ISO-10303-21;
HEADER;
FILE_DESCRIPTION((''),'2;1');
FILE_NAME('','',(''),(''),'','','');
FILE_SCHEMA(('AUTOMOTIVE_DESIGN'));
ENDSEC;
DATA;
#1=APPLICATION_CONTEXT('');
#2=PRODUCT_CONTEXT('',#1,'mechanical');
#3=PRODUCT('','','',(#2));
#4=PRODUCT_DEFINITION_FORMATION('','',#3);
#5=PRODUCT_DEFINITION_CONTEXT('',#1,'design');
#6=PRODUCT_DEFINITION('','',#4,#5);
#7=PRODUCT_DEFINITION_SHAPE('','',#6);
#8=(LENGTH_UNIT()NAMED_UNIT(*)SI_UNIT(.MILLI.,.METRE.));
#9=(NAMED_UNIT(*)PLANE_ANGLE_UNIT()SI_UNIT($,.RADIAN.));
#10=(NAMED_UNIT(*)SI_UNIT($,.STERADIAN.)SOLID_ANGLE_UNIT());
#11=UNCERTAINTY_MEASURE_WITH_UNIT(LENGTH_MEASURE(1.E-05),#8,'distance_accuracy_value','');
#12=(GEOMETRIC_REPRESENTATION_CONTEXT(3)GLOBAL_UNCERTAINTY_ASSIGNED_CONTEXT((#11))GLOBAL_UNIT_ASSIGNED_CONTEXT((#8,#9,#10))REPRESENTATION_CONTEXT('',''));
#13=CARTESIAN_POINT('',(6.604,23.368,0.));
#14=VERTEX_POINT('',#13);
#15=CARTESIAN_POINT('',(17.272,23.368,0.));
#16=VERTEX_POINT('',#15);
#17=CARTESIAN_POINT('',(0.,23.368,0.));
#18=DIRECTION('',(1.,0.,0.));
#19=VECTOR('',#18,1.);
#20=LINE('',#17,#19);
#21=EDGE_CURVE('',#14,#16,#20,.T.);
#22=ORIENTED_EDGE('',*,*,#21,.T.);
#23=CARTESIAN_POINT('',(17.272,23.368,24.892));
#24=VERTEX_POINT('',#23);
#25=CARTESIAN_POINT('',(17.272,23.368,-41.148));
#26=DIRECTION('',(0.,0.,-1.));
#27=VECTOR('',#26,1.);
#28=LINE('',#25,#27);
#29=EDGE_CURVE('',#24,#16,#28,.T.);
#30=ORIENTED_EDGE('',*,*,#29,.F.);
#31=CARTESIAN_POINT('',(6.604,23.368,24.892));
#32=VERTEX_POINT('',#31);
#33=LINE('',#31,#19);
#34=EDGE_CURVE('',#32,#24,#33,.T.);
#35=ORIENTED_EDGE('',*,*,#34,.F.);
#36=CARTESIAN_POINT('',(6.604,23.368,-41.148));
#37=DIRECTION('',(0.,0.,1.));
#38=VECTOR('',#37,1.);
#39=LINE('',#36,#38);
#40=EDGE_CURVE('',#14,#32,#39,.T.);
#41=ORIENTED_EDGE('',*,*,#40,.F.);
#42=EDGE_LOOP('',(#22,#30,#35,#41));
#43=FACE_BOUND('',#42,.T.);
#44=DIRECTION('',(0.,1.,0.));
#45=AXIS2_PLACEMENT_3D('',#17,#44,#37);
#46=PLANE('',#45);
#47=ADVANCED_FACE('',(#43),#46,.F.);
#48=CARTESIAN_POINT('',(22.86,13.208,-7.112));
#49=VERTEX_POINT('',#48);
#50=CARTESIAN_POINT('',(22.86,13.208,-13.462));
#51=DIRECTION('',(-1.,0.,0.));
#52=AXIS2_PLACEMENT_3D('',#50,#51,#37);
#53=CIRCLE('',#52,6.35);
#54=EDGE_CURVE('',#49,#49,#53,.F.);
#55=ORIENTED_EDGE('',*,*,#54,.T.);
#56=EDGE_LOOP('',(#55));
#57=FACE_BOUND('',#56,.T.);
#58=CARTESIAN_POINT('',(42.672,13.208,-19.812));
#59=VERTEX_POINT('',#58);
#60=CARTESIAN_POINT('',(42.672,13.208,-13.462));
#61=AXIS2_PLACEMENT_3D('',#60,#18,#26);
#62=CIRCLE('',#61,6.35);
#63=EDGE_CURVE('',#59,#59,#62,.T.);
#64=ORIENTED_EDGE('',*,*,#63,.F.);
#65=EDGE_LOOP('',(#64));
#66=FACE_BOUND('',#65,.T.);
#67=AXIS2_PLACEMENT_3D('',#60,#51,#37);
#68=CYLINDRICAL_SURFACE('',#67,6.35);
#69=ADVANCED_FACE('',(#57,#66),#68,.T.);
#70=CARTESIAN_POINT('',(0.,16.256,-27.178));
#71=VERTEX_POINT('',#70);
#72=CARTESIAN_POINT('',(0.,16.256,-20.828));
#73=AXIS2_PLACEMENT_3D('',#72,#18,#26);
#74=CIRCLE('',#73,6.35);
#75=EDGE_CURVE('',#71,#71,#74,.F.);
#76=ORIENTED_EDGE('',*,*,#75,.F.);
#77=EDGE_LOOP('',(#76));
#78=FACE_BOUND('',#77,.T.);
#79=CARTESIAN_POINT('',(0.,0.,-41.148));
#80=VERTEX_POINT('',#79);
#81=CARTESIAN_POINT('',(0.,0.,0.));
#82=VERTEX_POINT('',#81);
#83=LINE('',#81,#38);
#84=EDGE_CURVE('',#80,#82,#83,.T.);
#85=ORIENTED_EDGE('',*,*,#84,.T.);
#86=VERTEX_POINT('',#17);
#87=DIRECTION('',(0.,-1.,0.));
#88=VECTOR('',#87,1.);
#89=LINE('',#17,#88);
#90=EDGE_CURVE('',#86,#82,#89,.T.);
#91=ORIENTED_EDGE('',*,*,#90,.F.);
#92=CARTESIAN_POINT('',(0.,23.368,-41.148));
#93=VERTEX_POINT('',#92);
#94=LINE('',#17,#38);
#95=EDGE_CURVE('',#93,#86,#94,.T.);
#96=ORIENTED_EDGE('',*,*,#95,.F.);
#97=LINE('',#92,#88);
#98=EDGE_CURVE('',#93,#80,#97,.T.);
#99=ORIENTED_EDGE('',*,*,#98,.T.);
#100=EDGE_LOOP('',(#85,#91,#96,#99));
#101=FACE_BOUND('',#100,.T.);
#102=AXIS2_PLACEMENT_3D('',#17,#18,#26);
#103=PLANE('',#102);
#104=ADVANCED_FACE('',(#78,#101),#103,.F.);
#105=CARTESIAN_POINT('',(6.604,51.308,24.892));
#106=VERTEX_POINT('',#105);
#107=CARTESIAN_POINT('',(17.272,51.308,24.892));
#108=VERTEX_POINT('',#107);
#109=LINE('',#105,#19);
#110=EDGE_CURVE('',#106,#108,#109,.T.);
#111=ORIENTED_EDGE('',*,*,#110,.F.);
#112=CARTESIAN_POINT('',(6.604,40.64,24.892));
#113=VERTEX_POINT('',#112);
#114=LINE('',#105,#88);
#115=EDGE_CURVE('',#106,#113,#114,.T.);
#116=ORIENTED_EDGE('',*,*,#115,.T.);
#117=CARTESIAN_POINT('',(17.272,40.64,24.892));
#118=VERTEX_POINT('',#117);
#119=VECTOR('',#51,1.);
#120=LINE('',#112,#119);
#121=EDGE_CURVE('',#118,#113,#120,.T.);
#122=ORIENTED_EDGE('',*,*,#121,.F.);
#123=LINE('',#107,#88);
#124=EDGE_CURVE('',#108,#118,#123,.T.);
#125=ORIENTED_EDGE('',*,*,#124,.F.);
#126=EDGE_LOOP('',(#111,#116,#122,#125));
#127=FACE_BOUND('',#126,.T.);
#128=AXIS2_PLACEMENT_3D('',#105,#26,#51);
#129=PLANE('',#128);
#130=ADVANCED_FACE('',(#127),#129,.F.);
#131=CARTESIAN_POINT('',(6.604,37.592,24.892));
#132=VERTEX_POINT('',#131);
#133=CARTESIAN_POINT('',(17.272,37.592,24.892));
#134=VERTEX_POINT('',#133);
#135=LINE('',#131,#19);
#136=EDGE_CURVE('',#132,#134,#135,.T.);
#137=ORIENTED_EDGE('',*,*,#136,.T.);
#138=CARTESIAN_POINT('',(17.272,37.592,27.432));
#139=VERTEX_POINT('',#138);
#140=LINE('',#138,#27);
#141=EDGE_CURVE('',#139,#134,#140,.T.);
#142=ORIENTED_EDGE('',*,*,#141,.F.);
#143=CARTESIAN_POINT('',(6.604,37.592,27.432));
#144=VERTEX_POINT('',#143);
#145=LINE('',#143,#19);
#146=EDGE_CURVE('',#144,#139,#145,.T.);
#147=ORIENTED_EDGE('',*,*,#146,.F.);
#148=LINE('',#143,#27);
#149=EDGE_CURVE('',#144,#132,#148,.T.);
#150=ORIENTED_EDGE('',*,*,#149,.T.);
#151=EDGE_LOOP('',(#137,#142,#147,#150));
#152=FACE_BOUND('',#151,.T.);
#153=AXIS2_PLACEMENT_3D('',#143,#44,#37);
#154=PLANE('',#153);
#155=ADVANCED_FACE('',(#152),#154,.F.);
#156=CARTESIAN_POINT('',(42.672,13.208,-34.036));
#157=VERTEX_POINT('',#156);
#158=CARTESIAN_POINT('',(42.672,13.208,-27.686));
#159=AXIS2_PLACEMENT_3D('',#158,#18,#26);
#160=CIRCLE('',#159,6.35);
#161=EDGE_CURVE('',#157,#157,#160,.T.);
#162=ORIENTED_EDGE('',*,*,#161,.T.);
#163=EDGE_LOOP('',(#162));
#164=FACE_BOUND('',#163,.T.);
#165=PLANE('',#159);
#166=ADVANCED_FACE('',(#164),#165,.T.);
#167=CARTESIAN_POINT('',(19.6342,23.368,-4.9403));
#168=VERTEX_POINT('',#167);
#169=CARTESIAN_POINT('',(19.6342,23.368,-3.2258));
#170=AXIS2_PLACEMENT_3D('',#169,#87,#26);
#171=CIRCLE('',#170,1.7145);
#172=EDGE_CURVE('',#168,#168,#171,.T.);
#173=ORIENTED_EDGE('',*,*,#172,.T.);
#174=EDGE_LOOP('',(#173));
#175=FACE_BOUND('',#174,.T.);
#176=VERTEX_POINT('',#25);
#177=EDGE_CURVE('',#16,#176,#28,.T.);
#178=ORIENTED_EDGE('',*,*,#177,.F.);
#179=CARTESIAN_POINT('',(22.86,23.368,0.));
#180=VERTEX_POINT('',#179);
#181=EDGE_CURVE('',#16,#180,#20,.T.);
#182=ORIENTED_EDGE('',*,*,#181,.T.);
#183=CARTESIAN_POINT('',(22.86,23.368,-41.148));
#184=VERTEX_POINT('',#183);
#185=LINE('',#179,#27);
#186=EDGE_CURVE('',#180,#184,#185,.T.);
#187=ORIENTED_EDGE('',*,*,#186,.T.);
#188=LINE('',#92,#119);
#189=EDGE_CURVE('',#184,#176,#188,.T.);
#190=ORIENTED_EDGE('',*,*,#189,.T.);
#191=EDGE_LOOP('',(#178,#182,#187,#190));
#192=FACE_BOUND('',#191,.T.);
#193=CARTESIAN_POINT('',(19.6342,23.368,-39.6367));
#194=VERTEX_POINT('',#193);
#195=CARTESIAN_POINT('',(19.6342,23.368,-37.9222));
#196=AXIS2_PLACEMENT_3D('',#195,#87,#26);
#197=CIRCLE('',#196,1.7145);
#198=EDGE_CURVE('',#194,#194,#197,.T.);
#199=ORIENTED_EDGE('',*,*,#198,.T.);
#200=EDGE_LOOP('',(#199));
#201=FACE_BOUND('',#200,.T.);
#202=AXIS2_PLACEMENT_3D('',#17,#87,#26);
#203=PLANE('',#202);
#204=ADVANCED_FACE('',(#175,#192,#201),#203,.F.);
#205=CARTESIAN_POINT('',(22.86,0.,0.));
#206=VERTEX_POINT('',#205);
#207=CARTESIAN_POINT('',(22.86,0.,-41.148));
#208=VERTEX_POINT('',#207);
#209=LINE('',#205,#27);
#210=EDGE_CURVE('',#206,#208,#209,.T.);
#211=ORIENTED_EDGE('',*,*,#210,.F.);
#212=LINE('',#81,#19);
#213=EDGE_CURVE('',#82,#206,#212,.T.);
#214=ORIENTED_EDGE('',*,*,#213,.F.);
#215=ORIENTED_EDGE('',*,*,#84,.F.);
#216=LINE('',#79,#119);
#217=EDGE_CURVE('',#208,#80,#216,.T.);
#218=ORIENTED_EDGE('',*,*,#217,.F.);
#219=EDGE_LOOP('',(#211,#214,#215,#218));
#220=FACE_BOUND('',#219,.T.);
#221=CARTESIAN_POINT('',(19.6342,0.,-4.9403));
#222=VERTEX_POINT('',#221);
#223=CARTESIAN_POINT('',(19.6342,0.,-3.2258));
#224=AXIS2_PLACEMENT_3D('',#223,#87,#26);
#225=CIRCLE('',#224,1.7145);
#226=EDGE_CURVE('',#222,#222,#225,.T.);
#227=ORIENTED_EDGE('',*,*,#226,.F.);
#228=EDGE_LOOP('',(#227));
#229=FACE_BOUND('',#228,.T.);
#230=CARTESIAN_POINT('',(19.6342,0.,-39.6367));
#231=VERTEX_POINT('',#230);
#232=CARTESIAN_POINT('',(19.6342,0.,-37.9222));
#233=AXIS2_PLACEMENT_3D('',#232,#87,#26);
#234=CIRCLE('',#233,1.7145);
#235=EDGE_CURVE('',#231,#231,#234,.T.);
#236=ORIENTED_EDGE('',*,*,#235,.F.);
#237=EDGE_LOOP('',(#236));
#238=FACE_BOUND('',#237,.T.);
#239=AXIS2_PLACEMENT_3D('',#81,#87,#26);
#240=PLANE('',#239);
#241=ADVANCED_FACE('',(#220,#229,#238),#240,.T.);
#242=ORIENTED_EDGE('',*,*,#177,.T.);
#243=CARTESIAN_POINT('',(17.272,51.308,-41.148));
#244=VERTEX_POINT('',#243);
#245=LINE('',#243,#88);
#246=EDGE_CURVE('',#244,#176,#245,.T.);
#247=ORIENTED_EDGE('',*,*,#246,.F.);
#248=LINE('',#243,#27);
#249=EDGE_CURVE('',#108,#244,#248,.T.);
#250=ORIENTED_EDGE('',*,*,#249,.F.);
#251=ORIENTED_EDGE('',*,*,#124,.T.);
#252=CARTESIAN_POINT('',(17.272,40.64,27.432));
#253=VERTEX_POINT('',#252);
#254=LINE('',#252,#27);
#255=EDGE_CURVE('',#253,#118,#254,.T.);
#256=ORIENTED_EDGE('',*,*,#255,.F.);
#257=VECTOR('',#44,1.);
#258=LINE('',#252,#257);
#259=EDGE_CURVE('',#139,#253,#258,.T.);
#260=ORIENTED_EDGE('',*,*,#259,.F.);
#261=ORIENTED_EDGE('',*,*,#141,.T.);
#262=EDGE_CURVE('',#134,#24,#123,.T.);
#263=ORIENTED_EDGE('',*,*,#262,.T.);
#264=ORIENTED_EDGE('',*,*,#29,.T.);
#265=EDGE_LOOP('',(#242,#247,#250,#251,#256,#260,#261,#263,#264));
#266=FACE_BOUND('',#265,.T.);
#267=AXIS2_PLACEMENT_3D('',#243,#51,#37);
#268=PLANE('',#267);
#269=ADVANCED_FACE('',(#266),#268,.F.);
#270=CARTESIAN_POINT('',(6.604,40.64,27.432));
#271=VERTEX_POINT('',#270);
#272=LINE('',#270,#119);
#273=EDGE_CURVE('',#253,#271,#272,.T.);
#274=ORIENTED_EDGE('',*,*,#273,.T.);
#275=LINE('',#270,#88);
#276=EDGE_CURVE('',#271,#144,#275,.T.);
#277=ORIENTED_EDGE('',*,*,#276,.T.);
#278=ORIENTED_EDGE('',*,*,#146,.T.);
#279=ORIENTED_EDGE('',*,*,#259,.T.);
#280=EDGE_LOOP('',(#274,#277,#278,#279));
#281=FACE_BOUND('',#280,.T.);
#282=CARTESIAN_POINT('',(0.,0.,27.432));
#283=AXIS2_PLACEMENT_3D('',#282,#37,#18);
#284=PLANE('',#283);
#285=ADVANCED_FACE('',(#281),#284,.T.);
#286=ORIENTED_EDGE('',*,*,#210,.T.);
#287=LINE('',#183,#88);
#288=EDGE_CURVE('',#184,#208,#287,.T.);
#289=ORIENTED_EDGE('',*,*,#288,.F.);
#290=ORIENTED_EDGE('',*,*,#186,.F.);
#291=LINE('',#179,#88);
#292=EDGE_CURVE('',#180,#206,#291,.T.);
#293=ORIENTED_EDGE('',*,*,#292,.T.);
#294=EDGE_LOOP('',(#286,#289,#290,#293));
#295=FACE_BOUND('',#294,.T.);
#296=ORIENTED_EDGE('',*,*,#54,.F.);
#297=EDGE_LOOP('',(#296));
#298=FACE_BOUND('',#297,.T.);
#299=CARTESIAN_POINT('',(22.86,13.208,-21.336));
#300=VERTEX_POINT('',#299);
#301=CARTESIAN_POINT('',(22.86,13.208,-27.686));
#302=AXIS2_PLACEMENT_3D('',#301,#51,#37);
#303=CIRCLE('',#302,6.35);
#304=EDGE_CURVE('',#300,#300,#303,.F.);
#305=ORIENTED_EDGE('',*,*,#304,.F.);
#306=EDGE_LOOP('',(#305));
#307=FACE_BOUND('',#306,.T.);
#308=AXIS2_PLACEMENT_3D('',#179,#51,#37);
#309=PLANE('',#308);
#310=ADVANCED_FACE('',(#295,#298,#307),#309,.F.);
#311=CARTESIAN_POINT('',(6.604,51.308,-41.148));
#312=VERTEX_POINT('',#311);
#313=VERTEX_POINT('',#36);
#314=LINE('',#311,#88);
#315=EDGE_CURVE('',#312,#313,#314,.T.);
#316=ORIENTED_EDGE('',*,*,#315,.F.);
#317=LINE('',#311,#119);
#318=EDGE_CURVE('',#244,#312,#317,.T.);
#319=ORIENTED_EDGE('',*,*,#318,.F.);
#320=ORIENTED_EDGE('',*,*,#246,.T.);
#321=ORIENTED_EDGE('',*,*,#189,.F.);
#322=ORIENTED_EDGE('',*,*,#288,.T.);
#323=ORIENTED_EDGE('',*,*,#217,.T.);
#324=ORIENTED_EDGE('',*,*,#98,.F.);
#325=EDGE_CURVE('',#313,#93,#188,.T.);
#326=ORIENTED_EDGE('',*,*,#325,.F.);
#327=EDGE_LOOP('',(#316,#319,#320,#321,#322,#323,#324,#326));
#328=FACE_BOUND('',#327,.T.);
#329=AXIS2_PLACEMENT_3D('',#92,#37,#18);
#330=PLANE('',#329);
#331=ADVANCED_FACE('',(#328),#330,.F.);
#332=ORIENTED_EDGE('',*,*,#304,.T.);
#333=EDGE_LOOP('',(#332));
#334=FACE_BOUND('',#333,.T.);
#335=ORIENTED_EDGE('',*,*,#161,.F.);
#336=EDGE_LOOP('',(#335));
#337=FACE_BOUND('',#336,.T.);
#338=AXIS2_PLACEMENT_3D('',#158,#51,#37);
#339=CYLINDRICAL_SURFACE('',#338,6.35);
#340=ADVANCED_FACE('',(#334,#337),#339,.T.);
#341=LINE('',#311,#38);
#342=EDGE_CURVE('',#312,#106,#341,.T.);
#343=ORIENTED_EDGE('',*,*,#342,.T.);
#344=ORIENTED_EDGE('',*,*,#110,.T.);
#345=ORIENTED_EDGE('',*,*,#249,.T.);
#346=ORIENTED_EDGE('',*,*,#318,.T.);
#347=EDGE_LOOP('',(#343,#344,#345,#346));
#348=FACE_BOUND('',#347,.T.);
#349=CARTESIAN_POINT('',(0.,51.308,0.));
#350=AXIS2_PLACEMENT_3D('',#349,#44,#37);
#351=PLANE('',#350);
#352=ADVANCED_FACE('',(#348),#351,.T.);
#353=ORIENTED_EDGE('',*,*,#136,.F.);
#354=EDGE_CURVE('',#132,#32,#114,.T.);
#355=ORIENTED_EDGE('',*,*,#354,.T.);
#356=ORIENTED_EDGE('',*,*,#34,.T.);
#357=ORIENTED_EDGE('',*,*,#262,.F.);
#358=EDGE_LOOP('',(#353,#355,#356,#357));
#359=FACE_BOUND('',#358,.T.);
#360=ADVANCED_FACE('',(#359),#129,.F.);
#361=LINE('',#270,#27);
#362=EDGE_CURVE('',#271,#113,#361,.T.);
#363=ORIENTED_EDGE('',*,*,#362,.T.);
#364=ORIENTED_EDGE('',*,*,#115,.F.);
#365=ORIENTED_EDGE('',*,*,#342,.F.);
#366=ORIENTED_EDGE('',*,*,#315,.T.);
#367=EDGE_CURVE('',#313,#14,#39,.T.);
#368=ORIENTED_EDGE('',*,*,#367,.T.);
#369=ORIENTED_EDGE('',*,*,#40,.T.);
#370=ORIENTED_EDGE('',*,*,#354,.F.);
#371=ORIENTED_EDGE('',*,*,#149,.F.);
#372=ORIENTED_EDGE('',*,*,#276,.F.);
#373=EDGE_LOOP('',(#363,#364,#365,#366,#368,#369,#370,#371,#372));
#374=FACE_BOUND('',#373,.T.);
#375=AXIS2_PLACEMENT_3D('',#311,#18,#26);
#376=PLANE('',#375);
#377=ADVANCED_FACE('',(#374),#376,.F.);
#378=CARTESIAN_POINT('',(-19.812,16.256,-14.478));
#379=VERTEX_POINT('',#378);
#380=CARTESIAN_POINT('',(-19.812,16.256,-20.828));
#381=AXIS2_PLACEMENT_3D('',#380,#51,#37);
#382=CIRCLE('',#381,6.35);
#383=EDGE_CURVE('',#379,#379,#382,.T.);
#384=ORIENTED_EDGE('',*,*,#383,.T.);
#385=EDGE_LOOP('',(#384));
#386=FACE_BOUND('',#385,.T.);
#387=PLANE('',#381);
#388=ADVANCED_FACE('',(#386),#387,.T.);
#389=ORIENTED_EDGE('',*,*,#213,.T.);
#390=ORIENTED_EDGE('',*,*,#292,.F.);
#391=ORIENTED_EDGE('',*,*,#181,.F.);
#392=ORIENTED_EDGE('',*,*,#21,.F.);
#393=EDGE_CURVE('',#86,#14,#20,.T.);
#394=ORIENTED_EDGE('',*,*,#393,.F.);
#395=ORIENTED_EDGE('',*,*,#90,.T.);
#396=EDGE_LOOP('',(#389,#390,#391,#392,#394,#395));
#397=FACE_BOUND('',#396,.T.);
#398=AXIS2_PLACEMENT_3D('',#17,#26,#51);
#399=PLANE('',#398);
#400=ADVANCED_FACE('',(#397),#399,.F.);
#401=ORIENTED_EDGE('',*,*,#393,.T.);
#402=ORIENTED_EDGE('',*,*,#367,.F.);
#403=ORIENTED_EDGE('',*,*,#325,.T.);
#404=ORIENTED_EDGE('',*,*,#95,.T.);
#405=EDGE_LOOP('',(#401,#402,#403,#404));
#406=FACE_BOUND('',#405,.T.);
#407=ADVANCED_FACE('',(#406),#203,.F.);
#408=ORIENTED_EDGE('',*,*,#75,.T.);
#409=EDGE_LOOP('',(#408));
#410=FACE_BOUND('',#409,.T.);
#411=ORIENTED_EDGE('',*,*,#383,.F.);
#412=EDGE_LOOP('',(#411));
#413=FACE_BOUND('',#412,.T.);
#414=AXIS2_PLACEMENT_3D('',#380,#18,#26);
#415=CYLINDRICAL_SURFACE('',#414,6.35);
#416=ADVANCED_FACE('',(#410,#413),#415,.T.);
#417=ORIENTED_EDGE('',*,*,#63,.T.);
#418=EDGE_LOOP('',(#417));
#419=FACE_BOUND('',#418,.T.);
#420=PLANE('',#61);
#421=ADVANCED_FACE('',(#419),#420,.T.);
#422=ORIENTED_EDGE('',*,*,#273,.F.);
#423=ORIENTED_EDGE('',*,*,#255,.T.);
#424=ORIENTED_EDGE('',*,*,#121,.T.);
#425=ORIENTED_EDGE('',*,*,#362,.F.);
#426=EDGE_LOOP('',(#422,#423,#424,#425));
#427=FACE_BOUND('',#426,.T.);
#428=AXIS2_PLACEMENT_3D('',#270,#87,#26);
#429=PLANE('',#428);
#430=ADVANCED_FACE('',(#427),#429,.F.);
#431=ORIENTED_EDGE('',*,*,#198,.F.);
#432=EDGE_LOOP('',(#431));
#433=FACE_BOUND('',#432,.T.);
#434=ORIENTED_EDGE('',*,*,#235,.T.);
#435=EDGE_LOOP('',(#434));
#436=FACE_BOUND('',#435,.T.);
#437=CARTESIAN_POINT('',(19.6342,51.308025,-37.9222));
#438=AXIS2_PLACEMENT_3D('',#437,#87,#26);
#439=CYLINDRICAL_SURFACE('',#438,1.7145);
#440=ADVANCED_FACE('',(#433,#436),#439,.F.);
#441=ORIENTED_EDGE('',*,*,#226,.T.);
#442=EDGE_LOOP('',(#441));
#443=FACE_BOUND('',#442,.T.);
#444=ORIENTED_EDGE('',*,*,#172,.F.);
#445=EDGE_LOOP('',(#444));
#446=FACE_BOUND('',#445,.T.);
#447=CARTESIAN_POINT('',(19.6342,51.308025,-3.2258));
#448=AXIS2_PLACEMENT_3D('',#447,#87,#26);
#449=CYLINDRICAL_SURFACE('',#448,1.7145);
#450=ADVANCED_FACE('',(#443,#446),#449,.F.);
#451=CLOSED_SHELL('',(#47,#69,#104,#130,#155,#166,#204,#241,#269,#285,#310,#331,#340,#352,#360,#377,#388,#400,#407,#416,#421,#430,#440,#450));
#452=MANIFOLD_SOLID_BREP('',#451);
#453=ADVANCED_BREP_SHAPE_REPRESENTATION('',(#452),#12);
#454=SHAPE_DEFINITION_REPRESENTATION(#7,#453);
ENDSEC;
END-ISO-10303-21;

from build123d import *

# Parameters (mm, degrees)
SKETCH1_W           = 22.86
SKETCH1_H           = 41.148
BOSS_EXTRUDE1_DEPTH = 23.368
SKETCH2_W           = 10.668
SKETCH2_H           = 66.04
BOSS_EXTRUDE2_DEPTH = 27.94
SKETCH3_R           = 6.35
BOSS_EXTRUDE3_DEPTH = 19.812
SKETCH4_R           = 6.35
BOSS_EXTRUDE4_DEPTH = 19.812
SKETCH5_W           = 10.668
SKETCH5_H           = 3.048
BOSS_EXTRUDE5_DEPTH = 2.54
SKETCH6_R           = 1.7145
CUT_EXTRUDE1_DEPTH  = 79.400053265


with BuildPart() as part:
    # Sketch1 → Boss-Extrude1 (new body)
    with BuildSketch(Plane(origin=(0, 0, 0), x_dir=(1, 0, 0), z_dir=(0, 1, 0))):
        with Locations((11.43, 20.574)):
            Rectangle(SKETCH1_W, SKETCH1_H)
    extrude(amount=BOSS_EXTRUDE1_DEPTH)

    # Sketch2 → Boss-Extrude2 (add)
    with BuildSketch(Plane(origin=(0, 23.368, 0), x_dir=(1, 0, 0), z_dir=(0, 1, 0))):
        with Locations((11.938, 8.128)):
            Rectangle(SKETCH2_W, SKETCH2_H)
    extrude(amount=BOSS_EXTRUDE2_DEPTH)

    # Sketch3 → Boss-Extrude3 (add)
    with BuildSketch(Plane.ZY):
        with Locations(Location((-20.828, 16.256, 0), (0, 0, 180))):
            Circle(SKETCH3_R)
    extrude(amount=BOSS_EXTRUDE3_DEPTH)

    # Sketch4 → Boss-Extrude4 (add)
    with BuildSketch(Plane(origin=(22.86, 0, 0), x_dir=(0, 0, -1), z_dir=(1, 0, 0))):
        with Locations(Location((27.686, 13.208, 0), (0, 0, 180))):
            Circle(SKETCH4_R)
        with Locations(Location((13.462, 13.208, 0), (0, 0, 180))):
            Circle(SKETCH4_R)
    extrude(amount=BOSS_EXTRUDE4_DEPTH)

    # Sketch5 → Boss-Extrude5 (add)
    with BuildSketch(Plane.XY.offset(24.892)):
        with Locations((11.938, 39.116)):
            Rectangle(SKETCH5_W, SKETCH5_H)
    extrude(amount=BOSS_EXTRUDE5_DEPTH)

    # Sketch6 → Cut-Extrude1 (cut, through all)
    with BuildSketch(Plane(origin=(0, 0, 0), x_dir=(-1, 0, 0), z_dir=(0, -1, 0))):
        with Locations(Location((-19.6342, 3.2258, 0), (0, 0, 90))):
            Circle(SKETCH6_R)
        with Locations(Location((-19.6342, 37.9222, 0), (0, 0, 90))):
            Circle(SKETCH6_R)
    extrude(amount=-CUT_EXTRUDE1_DEPTH, mode=Mode.SUBTRACT)


solid = part.part
